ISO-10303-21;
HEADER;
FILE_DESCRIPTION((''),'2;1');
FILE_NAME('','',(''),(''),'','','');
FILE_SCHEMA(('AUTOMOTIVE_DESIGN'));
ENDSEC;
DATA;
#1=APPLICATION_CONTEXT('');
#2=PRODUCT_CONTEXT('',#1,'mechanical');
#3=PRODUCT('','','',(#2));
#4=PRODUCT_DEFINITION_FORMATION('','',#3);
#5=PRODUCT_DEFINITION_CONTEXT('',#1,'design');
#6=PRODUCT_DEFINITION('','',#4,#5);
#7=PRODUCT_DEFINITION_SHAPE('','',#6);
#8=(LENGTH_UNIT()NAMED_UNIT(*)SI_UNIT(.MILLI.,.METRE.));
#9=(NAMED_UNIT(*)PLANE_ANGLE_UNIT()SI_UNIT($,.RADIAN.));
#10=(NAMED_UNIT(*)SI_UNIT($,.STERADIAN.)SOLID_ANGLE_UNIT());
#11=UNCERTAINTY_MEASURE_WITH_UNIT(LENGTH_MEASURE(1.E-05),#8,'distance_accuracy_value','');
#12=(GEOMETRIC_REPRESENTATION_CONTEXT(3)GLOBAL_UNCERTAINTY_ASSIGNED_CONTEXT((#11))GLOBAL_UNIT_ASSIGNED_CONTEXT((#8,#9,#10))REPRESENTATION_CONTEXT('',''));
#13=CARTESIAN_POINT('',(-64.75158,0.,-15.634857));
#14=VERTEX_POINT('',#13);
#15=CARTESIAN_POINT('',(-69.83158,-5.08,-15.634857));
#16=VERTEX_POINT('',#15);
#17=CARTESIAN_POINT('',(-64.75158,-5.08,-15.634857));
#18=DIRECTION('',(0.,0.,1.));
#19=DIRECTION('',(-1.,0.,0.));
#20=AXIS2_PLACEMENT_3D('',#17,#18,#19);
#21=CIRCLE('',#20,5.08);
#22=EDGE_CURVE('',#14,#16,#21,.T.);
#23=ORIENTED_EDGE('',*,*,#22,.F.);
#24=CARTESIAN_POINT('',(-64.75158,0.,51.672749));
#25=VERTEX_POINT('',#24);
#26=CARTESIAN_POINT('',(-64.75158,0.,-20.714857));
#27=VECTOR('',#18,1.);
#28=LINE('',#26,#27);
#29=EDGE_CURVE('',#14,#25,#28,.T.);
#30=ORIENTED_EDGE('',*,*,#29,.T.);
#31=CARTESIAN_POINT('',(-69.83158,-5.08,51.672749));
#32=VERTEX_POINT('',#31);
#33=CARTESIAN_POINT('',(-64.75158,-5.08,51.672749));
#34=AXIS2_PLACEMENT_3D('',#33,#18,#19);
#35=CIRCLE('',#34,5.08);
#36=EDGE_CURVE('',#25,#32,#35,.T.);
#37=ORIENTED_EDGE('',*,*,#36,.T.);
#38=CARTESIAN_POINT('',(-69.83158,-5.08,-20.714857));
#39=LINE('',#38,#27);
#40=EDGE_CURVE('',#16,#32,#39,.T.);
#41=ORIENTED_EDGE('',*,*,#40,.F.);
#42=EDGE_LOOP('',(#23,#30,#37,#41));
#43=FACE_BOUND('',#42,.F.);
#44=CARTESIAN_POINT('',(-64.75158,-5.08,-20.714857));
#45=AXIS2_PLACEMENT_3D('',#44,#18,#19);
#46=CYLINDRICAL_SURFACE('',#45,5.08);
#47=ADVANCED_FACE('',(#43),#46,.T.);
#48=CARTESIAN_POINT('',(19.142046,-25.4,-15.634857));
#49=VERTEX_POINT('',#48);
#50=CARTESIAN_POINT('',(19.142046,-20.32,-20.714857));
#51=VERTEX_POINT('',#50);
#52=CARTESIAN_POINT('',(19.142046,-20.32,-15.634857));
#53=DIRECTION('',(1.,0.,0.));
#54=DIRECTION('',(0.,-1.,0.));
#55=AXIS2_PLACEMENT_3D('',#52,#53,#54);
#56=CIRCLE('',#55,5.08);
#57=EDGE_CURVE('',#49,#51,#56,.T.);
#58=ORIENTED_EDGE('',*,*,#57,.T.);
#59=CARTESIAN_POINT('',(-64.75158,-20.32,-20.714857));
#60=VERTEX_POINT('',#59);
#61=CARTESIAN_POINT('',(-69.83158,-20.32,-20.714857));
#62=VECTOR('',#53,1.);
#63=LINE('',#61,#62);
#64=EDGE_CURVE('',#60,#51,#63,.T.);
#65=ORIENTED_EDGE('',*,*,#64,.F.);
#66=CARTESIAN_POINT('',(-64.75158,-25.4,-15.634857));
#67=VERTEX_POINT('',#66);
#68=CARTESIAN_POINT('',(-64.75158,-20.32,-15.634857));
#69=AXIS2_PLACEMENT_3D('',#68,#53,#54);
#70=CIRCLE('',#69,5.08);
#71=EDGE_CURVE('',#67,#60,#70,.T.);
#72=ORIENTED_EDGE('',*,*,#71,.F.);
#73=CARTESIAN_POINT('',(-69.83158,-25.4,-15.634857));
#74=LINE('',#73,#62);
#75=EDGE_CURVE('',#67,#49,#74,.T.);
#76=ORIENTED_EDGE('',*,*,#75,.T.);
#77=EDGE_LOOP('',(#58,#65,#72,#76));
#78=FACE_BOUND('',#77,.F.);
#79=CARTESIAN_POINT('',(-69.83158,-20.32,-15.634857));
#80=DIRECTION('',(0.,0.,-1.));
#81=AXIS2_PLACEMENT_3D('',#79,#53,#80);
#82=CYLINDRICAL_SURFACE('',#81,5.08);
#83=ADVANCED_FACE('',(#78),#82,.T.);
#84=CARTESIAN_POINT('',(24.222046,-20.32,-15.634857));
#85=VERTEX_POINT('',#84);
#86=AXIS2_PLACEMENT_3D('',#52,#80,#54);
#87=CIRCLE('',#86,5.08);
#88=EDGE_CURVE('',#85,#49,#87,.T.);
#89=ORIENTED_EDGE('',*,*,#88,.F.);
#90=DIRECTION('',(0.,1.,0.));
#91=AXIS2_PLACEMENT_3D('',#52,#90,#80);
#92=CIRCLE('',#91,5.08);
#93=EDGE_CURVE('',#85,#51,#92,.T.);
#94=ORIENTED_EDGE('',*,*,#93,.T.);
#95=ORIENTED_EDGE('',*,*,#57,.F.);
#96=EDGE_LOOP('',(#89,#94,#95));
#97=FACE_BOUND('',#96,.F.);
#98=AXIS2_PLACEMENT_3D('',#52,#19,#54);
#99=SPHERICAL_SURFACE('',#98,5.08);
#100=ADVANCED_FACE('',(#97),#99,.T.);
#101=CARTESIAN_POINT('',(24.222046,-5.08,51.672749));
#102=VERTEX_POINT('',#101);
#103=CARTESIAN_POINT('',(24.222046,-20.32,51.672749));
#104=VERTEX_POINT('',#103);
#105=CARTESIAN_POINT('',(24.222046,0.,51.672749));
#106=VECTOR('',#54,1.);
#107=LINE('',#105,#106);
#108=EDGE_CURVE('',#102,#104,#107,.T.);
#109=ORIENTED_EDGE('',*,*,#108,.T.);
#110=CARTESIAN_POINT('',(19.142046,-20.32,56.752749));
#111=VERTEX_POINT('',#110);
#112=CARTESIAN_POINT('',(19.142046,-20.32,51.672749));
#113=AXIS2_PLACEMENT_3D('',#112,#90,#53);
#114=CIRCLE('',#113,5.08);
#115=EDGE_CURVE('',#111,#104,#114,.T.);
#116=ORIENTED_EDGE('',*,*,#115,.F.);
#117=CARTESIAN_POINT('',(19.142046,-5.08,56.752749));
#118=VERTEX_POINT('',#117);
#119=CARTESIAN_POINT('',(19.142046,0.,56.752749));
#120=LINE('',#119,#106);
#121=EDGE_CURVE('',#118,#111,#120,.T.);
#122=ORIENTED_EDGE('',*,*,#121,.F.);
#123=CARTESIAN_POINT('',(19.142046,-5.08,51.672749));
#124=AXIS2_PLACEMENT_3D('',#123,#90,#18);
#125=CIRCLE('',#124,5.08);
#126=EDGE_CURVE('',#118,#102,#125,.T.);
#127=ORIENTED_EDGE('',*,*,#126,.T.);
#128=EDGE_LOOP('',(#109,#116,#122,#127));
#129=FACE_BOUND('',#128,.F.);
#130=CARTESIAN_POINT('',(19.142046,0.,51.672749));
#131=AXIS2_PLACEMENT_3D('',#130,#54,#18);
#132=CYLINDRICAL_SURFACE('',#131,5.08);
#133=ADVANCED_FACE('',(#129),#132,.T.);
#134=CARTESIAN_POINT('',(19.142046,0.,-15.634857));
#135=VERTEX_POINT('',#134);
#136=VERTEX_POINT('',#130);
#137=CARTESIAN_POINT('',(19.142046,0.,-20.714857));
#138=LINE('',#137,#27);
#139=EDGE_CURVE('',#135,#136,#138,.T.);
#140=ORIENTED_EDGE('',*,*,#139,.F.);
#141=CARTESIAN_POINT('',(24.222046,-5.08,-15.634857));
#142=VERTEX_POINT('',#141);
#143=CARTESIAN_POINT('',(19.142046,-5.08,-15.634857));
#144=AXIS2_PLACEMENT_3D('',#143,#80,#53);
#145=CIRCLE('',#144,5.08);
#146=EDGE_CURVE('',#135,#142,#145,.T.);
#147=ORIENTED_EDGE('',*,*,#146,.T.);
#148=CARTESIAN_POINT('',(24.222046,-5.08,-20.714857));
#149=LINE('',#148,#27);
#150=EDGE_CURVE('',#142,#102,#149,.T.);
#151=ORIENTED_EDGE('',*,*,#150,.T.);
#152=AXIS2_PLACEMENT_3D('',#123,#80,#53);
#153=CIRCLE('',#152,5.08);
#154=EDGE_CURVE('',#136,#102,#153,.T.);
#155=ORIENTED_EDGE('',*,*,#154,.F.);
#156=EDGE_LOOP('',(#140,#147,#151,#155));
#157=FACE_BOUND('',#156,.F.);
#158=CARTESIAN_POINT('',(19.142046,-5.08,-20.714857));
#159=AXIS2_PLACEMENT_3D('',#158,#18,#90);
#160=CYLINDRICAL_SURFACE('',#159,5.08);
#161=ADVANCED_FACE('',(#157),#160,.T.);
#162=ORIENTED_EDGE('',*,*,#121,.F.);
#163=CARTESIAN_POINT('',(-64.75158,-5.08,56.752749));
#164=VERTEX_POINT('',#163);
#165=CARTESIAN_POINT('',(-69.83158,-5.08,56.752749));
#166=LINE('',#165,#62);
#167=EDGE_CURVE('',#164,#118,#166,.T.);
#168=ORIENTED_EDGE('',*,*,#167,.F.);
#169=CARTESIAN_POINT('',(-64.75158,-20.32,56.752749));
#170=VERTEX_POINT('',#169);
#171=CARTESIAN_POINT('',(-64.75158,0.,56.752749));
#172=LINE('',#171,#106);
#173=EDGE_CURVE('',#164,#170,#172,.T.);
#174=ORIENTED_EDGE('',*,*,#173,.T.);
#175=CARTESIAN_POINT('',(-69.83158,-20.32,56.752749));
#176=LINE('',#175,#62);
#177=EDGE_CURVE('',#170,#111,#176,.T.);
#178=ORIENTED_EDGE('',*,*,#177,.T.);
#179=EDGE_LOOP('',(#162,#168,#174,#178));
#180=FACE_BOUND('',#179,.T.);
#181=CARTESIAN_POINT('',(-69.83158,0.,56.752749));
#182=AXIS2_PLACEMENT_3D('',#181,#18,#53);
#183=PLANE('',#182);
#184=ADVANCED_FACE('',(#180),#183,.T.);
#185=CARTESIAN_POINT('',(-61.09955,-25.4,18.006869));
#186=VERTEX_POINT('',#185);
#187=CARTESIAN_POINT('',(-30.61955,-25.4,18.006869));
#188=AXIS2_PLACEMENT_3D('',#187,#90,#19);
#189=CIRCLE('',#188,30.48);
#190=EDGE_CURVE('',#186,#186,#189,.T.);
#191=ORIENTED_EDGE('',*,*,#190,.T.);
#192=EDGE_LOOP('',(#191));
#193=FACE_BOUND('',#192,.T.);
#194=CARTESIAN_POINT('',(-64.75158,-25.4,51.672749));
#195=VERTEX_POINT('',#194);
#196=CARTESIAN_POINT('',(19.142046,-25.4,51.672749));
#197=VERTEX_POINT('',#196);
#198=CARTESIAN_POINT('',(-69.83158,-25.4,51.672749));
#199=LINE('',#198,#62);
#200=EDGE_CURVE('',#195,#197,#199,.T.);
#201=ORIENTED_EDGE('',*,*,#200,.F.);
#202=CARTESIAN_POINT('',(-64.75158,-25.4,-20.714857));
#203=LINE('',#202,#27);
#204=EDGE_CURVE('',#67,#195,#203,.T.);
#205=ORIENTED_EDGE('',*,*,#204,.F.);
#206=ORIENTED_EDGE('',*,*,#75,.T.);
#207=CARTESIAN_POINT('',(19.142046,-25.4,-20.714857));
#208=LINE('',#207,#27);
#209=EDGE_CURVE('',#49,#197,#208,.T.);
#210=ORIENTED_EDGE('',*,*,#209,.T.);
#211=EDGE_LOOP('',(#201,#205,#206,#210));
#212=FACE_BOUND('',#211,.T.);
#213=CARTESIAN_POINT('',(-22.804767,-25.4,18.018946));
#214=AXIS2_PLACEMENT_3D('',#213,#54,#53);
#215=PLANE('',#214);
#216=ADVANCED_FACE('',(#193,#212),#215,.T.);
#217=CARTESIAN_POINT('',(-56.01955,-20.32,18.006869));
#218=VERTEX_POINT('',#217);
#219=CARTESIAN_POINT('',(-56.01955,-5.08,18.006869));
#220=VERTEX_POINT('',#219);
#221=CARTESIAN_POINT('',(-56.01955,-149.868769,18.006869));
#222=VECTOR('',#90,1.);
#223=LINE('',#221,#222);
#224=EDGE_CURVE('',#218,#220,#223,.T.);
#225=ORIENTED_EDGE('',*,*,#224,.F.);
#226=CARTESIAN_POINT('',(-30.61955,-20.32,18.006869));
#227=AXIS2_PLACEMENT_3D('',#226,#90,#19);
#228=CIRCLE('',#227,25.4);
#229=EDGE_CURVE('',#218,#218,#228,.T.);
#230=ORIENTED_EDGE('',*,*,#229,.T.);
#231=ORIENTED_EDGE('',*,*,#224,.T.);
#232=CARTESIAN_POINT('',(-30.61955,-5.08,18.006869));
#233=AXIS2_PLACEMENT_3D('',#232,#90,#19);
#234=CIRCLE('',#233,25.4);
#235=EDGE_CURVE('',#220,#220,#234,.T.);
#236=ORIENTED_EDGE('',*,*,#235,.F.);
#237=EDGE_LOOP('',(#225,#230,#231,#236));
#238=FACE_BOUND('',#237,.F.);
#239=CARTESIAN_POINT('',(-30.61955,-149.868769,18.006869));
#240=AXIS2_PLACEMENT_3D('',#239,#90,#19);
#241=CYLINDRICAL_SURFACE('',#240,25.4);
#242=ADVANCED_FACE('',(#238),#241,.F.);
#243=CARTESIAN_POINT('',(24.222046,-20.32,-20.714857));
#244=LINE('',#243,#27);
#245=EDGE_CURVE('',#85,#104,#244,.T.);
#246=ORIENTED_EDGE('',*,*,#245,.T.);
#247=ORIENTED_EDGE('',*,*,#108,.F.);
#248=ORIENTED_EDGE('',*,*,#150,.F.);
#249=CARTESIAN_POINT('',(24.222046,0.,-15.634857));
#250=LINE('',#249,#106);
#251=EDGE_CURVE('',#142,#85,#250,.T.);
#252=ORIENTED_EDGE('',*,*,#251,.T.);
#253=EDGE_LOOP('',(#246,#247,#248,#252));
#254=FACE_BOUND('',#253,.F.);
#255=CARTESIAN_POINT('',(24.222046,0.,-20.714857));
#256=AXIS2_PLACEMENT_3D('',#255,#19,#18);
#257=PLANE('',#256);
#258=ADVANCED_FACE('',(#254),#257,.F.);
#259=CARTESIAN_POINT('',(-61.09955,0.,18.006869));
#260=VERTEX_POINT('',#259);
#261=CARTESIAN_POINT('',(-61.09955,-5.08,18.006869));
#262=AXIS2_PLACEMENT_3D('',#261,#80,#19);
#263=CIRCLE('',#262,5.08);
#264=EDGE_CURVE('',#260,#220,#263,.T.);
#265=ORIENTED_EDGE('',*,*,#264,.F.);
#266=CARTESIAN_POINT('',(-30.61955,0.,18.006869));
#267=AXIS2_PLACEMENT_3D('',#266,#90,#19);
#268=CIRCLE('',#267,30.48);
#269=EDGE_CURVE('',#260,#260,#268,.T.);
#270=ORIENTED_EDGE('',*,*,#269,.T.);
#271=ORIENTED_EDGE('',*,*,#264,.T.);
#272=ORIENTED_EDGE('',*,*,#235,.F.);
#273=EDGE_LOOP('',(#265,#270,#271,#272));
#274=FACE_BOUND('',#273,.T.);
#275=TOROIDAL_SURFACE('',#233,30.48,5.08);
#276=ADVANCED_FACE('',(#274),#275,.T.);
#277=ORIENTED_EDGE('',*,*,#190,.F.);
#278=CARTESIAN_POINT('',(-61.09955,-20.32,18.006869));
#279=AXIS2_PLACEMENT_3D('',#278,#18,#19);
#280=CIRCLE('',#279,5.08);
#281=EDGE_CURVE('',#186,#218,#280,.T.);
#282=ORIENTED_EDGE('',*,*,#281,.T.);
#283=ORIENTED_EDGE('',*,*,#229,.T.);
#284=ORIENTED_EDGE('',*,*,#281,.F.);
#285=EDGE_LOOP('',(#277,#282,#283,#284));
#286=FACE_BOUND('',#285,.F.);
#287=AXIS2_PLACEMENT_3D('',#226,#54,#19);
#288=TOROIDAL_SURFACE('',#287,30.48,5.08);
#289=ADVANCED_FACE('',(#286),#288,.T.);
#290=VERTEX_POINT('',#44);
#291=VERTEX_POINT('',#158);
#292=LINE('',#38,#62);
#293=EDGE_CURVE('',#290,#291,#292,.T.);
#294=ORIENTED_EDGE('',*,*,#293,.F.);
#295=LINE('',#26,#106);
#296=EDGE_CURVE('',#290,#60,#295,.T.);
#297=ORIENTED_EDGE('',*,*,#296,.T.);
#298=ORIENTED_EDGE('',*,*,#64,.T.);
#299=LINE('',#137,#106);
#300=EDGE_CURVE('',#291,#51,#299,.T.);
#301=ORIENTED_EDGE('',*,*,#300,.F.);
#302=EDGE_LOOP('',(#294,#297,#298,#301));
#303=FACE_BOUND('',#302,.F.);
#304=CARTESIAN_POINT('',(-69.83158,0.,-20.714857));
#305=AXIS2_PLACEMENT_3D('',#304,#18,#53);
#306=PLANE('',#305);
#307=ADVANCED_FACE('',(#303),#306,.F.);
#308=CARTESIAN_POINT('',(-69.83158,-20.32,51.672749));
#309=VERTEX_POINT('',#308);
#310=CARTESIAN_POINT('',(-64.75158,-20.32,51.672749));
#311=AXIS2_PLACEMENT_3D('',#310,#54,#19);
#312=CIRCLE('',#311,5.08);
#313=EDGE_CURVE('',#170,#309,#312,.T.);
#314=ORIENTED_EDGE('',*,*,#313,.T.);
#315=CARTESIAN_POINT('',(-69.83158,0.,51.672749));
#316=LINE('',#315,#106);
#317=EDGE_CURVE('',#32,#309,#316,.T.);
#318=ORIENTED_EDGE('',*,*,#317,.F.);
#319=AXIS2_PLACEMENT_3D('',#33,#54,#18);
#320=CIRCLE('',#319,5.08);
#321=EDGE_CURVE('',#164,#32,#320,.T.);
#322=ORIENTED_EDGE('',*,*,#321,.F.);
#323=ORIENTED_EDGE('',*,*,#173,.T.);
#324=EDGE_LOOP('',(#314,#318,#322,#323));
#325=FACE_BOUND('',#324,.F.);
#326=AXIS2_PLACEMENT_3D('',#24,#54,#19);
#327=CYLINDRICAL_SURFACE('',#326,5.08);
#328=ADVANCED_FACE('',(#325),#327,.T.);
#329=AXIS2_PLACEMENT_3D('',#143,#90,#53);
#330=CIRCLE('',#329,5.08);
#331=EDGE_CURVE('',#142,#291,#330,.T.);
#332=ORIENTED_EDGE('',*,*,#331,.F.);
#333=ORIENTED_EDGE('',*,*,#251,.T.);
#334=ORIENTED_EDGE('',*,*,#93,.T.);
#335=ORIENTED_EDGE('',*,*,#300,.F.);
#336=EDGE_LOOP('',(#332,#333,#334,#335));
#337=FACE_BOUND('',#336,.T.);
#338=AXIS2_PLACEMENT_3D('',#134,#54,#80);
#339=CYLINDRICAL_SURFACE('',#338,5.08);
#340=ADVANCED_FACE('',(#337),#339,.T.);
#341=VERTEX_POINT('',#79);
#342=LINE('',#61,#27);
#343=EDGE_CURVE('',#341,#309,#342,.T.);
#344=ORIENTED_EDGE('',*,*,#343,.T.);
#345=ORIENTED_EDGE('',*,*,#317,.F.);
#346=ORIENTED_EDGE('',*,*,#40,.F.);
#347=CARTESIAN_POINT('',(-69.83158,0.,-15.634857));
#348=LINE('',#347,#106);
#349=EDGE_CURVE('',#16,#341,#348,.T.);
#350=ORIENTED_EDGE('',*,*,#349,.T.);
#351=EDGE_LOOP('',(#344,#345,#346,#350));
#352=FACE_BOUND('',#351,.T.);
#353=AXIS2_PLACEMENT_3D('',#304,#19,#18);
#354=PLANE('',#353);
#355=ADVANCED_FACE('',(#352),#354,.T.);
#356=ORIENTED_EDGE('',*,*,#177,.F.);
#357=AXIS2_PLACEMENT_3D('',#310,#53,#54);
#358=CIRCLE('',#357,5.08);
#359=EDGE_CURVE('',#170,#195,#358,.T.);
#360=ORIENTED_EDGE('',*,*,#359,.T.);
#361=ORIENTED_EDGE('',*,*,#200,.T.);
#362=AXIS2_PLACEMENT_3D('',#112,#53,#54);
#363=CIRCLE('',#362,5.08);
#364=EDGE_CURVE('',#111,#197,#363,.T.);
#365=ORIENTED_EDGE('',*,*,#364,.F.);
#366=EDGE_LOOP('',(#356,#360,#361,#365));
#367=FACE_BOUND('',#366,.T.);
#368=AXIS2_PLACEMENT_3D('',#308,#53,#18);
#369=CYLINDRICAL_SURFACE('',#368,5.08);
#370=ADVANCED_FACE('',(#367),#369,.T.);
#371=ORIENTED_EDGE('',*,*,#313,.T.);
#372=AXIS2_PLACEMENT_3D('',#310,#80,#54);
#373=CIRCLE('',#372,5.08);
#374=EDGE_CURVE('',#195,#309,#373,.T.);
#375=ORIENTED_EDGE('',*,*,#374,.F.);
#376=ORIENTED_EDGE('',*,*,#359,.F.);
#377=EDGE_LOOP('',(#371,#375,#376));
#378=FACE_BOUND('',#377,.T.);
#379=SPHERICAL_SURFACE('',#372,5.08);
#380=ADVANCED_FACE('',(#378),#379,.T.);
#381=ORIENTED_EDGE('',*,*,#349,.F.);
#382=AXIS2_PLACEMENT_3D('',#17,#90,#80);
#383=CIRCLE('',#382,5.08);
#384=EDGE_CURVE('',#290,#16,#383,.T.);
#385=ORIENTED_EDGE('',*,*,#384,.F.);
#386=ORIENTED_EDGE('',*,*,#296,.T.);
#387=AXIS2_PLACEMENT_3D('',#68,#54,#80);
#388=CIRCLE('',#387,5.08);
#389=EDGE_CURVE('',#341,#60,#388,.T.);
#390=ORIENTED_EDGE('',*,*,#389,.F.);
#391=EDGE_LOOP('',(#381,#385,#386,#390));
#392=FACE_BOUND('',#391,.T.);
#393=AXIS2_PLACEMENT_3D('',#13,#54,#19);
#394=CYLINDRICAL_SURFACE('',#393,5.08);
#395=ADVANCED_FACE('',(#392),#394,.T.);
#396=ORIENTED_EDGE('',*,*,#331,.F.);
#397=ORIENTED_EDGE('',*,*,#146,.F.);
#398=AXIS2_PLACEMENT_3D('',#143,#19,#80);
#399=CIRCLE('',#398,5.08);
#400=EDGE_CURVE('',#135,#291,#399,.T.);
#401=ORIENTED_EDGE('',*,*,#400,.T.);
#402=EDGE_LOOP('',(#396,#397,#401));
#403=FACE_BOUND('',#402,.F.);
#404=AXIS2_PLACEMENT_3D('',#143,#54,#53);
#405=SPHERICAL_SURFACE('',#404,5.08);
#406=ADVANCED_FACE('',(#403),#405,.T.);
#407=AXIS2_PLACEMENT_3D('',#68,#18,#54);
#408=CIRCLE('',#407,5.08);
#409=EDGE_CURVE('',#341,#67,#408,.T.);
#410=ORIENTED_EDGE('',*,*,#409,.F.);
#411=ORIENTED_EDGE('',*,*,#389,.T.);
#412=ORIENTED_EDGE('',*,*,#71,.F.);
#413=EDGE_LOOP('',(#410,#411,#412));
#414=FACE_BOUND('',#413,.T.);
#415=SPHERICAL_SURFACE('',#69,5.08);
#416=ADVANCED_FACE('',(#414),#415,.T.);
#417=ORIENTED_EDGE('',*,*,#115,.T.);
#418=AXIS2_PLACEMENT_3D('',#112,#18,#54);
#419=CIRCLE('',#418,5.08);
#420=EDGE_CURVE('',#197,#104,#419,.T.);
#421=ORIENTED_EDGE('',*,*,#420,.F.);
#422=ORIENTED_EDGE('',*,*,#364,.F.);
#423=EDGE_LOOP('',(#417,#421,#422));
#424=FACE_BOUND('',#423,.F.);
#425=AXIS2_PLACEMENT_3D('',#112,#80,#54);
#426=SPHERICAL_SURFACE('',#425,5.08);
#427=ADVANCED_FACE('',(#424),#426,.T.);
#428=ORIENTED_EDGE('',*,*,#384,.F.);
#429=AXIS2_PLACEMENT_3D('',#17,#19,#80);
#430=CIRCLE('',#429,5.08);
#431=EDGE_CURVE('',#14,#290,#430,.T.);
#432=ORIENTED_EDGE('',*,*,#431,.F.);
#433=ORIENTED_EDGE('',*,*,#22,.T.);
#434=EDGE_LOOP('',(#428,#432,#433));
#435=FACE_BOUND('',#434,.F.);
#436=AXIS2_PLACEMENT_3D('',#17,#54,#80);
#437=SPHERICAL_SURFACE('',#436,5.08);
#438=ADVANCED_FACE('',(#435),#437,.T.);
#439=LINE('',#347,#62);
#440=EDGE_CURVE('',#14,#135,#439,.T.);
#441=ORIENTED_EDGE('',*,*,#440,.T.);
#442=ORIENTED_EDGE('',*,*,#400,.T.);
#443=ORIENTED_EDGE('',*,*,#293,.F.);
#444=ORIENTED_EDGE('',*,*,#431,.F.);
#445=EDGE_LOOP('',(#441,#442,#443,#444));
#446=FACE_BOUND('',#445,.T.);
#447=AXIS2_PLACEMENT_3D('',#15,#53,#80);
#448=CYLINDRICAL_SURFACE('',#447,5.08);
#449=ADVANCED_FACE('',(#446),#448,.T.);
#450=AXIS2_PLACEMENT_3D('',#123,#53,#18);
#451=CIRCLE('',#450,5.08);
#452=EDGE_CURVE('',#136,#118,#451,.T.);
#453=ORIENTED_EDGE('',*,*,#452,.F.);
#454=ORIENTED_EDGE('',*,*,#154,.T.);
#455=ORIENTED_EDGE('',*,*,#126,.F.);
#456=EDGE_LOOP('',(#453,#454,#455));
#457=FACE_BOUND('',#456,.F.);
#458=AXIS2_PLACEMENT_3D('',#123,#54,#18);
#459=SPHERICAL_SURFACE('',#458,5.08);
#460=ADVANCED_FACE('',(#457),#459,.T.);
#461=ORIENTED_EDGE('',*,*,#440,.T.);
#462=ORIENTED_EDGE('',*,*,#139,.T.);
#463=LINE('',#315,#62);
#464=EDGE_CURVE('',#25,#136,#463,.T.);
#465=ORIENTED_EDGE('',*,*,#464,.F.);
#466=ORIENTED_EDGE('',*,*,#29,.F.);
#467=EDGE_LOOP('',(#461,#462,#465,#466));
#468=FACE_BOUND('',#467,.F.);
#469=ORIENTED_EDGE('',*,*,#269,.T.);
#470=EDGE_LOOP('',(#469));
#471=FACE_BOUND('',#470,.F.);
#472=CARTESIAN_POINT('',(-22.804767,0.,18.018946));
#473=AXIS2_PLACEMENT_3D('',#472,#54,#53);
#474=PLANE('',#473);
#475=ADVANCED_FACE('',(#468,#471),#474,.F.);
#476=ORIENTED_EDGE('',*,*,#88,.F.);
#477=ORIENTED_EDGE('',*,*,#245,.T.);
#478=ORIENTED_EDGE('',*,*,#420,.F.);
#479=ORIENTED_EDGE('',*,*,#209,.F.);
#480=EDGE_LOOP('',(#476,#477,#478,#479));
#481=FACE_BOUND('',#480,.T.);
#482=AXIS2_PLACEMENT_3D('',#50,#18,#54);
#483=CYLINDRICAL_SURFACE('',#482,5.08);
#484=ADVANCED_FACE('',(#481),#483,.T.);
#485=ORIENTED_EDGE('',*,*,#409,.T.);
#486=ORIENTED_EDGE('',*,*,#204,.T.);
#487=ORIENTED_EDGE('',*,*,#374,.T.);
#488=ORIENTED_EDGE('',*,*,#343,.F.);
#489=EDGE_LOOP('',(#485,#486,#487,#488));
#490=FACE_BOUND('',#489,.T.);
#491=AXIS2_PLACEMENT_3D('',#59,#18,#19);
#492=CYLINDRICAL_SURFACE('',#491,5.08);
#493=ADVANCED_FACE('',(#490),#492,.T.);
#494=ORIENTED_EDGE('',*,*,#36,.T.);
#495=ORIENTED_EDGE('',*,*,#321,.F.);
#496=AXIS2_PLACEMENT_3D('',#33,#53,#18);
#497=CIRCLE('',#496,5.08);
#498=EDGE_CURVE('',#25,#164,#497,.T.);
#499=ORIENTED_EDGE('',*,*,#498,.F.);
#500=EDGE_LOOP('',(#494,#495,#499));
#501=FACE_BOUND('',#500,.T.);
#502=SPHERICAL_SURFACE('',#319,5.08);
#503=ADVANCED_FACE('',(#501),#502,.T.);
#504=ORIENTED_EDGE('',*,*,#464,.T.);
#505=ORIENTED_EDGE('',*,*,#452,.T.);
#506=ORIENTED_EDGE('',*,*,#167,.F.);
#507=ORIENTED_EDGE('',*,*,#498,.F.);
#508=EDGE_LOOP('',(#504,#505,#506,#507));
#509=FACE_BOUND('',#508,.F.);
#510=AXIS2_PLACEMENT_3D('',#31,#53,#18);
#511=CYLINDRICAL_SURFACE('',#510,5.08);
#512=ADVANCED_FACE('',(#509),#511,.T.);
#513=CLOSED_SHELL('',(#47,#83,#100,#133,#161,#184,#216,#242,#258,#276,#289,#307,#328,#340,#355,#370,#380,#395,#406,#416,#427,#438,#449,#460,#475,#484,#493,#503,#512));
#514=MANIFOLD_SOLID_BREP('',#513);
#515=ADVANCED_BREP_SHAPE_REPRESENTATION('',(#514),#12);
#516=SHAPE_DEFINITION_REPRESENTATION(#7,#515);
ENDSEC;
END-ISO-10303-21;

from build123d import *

# Parameters (mm, degrees)
F0_W     = 94.0536260605
F0_H     = 77.4676054716
F1_DEPTH = 25.4
F3_D     = 50.8
F4_R     = 5.08


with BuildPart() as f1:
    # F0 (on Front) → F1 (new body)
    with BuildSketch(Plane.XZ):
        with Locations((-22.8047668934, 18.0189460516)):
            Rectangle(F0_W, F0_H)
    extrude(amount=F1_DEPTH)

    # F3 (through all)
    with Locations(Plane.XZ.offset(25.4)):
        with Locations((-30.6195504963, 18.0068686604)):
            Hole(F3_D / 2)

    # F4
    f4_edges = [f1.edges().sort_by_distance(p)[0] for p in [
        (-22.804767, -25.4, -20.714857),
        (-69.83158, -25.4, 18.018946),
        (24.222046, -25.4, 18.018946),
        (-22.804767, -25.4, 56.752749),
        (-56.01955, -25.4, 18.006869),
        (24.222046, -12.7, 56.752749),
        (-69.83158, -12.7, 56.752749),
        (-22.804767, 0, 56.752749),
        (24.222046, -12.7, -20.714857),
        (24.222046, 0, 18.018946),
        (-69.83158, -12.7, -20.714857),
        (-22.804767, 0, -20.714857),
        (-69.83158, 0, 18.018946),
        (-56.01955, 0, 18.006869),
    ]]
    fillet(f4_edges, radius=F4_R)


solid = f1.part
